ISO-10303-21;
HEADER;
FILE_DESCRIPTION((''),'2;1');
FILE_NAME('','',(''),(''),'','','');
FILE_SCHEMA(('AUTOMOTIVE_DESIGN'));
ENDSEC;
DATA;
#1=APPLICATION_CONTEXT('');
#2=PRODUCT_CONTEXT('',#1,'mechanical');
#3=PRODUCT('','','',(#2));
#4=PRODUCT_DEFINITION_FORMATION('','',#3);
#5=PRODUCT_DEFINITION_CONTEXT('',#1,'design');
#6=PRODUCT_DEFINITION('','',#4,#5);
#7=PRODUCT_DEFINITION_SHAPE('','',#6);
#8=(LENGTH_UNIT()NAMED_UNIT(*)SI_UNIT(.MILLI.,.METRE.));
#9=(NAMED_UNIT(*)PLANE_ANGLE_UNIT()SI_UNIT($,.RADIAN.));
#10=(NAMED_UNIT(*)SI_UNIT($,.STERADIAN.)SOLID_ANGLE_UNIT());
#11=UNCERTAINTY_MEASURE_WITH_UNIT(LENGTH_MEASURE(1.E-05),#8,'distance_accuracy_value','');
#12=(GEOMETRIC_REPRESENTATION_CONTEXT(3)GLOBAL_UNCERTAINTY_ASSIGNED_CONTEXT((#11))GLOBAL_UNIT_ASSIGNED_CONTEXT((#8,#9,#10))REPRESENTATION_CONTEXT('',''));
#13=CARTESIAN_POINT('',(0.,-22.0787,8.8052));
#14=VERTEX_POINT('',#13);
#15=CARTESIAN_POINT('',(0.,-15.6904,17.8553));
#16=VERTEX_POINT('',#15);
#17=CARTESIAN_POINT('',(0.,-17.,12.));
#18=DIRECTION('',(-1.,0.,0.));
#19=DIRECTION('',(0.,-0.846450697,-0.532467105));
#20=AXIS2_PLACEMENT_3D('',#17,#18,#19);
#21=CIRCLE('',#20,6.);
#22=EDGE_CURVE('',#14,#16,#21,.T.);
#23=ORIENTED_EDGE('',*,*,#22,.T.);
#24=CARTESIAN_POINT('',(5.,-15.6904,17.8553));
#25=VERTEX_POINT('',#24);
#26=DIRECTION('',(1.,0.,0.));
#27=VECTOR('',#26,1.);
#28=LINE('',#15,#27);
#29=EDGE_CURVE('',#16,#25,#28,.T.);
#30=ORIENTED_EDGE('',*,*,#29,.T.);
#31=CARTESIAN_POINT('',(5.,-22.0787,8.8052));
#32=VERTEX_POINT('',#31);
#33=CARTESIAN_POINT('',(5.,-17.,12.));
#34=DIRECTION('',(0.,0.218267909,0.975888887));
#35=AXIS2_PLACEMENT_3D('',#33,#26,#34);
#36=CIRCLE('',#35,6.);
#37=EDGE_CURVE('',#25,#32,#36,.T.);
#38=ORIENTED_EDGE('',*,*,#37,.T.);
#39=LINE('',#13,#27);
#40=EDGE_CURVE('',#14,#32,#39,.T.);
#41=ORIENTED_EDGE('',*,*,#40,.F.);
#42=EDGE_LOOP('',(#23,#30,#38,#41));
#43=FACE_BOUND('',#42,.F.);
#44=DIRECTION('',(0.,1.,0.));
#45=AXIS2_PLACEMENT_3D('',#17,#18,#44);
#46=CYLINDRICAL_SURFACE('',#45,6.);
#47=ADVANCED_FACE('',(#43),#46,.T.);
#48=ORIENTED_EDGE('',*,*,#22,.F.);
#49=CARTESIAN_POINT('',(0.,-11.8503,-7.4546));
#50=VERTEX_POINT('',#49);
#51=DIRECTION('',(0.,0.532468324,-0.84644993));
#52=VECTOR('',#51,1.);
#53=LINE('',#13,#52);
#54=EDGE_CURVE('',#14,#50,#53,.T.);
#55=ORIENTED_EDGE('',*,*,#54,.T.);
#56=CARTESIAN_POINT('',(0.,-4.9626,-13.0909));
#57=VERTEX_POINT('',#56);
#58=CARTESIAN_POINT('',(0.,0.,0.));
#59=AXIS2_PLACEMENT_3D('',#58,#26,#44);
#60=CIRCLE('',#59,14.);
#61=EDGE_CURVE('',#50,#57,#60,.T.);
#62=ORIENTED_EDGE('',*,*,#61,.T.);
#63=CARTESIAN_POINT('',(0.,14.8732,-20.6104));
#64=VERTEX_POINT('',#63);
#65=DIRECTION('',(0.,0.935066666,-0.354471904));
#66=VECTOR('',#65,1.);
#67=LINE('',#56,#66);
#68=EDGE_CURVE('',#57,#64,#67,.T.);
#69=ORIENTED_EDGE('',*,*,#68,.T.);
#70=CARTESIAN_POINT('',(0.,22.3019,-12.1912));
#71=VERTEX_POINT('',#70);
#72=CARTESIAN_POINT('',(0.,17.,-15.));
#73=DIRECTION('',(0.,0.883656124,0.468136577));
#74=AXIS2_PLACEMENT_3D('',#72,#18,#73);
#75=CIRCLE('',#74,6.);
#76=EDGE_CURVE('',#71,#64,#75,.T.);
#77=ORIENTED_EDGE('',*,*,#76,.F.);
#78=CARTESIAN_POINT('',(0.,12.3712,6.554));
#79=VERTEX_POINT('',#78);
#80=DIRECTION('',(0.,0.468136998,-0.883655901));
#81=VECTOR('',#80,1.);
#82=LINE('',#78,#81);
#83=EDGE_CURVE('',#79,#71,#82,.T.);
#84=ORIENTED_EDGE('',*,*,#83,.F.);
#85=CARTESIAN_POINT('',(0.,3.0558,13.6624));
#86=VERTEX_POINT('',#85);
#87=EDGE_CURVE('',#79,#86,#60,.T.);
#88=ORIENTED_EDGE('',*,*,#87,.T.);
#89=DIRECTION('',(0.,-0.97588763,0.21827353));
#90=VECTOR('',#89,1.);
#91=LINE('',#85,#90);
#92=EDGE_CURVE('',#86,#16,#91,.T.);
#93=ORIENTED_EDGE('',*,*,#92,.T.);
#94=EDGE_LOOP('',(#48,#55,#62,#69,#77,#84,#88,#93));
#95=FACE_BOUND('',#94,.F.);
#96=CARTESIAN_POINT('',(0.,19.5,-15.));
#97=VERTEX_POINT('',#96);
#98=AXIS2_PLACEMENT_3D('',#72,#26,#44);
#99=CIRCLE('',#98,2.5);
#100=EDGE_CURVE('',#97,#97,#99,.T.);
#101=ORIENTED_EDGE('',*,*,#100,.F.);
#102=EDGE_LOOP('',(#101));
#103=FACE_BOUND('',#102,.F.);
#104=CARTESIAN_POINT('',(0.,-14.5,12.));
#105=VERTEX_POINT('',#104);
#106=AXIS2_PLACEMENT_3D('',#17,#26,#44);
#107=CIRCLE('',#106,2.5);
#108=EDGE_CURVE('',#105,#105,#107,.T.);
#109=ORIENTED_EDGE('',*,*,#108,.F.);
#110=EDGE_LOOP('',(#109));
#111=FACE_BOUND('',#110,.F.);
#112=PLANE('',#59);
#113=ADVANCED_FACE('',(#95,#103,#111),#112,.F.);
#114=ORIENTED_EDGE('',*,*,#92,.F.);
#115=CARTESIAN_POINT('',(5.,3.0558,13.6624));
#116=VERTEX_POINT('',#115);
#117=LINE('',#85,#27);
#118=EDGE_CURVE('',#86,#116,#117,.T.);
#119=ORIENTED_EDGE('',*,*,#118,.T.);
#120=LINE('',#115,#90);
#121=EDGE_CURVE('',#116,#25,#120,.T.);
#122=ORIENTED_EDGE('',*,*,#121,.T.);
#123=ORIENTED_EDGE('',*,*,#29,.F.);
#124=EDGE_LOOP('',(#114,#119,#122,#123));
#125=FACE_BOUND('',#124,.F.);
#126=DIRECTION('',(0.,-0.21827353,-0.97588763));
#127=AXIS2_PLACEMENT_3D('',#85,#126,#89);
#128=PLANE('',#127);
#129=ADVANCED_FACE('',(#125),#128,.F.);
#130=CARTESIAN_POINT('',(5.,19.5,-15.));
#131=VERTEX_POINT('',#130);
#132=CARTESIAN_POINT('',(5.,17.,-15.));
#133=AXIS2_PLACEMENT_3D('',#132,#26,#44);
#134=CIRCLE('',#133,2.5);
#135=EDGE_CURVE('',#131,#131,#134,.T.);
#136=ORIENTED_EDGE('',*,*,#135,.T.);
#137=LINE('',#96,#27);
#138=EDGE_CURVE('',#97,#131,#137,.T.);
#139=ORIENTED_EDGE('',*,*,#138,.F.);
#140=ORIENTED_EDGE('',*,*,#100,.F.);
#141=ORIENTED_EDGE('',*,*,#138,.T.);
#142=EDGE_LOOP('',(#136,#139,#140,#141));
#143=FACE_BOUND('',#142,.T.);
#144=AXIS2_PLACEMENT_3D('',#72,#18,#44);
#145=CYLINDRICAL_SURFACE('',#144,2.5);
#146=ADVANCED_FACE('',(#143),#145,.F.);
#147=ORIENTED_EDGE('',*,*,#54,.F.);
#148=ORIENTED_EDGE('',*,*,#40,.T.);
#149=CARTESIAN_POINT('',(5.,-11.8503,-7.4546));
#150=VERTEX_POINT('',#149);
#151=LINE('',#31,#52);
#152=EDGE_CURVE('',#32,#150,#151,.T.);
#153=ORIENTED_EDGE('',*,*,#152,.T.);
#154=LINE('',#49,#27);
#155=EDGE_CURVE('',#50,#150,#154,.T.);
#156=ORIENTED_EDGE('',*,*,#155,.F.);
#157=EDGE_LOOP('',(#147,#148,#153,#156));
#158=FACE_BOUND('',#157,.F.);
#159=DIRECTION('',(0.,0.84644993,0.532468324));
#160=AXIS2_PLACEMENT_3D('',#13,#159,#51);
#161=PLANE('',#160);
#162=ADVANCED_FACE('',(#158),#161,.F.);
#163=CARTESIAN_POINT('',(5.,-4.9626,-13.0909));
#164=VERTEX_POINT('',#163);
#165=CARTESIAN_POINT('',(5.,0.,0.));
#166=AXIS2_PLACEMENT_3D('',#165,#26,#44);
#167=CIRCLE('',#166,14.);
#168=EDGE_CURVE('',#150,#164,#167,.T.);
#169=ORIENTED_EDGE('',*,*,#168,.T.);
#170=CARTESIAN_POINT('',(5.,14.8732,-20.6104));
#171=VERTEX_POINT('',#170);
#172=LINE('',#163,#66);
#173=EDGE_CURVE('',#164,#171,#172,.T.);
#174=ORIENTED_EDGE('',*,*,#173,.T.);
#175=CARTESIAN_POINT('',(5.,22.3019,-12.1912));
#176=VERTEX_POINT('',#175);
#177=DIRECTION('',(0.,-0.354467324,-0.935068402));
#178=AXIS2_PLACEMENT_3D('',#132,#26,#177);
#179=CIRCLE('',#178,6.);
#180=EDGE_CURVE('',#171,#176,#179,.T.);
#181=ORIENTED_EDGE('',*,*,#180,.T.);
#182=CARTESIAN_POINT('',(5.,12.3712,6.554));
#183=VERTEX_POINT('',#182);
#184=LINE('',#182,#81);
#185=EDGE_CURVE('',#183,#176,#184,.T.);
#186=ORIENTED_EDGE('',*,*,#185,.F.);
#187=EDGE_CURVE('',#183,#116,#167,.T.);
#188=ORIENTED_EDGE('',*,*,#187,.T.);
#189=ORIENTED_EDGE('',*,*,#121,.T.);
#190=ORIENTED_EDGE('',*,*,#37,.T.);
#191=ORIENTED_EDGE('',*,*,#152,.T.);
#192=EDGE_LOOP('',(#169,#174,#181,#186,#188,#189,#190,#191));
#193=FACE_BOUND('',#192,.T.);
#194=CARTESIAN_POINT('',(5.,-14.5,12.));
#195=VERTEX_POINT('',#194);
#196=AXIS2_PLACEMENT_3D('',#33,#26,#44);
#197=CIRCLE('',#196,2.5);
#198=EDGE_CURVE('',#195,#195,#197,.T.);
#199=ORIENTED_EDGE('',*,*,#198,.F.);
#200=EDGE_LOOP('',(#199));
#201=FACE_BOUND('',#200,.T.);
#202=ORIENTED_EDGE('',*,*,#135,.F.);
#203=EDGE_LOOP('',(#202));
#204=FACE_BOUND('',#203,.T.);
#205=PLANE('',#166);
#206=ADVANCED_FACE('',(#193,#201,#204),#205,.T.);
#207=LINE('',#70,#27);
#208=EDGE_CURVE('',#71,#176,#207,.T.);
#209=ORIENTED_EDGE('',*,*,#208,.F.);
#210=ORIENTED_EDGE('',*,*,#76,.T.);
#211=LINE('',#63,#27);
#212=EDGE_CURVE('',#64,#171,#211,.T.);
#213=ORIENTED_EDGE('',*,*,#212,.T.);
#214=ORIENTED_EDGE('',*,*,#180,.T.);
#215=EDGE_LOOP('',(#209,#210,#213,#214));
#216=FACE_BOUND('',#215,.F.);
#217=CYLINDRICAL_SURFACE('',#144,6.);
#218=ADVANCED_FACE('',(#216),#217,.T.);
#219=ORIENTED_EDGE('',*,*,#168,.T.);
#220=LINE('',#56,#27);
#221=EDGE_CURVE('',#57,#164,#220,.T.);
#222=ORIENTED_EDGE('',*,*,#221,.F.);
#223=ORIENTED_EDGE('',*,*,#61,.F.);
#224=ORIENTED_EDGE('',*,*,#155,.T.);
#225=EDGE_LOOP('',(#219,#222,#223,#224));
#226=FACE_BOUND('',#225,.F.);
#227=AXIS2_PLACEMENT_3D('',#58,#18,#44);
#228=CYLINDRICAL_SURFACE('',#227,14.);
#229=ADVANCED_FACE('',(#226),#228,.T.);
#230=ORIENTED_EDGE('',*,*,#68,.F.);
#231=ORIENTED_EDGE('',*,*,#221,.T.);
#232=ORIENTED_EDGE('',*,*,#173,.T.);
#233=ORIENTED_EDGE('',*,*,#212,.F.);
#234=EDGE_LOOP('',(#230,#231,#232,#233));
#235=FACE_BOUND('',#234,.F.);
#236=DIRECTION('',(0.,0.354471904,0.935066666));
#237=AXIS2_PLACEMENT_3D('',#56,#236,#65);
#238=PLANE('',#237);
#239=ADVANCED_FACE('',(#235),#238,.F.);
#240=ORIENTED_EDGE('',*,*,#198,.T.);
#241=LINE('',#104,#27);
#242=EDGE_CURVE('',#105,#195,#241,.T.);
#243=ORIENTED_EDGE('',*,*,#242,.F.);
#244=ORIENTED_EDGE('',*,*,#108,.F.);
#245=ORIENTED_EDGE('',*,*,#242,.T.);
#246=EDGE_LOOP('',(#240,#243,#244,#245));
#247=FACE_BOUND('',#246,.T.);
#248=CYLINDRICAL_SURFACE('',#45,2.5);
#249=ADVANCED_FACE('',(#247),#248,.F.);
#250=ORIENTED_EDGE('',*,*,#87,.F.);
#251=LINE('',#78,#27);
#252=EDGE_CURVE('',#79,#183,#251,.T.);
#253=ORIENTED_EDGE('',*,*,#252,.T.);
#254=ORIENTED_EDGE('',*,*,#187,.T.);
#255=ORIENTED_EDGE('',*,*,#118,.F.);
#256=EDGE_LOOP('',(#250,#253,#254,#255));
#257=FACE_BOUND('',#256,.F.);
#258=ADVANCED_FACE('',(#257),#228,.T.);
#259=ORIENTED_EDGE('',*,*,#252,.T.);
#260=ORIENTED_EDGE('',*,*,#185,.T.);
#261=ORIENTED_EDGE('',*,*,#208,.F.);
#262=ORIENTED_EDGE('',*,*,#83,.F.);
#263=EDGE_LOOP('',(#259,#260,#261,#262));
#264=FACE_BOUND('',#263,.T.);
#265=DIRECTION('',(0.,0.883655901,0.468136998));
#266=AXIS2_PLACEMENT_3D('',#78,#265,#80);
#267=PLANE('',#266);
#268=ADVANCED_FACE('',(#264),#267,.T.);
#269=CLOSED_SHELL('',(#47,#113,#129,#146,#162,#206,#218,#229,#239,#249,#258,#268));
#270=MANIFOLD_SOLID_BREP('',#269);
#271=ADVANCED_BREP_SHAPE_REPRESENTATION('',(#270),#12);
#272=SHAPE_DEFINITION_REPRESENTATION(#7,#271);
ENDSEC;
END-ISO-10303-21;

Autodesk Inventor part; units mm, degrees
ref_plane "YZ Plane" through (0, 0, 0) normal (1, 0, 0) x (0, 1, 0)
ref_plane "XZ Plane" through (0, 0, 0) normal (0, 1, 0) x (-1, 0, 0)
ref_plane "XY Plane" through (0, 0, 0) normal (0, 0, 1) x (1, 0, 0)
sketch "Sketch3" plane through (0, 0, 0) normal (1, 0, 0) x (0, 1, 0)
  circle A0 centre (0, 0) radius 14
  line L0 (-23, -102.8316) -> (23, -102.8316)
  line L1 (23, -102.8316) -> (23, 102.8316)
  line L2 (23, 102.8316) -> (-23, 102.8316)
  line L3 (-23, 102.8316) -> (-23, -102.8316)
  line L4 (-23, -102.8316) -> (23, 102.8316) construction
  line L5 (23, -102.8316) -> (-23, 102.8316) construction
  circle A1 centre (17, -15) radius 2.5
  circle A2 centre (-17, 12) radius 2.5
  circle A3 centre (17, -15) radius 6
  circle A4 centre (-17, 12) radius 6
  line L6 (-22.0787, 8.8052) -> (-11.8503, -7.4546)
  line L7 (-4.9626, -13.0909) -> (14.8732, -20.6104)
  line L8 (12.3712, 6.554) -> (22.3019, -12.1912)
  line L9 (3.0558, 13.6624) -> (-15.6904, 17.8553)
  dimension "d11" = 28
  dimension "d12" = 46
  dimension "d13" = 5
  dimension "d14" = 6
  dimension "d15" = 6
  dimension "d16" = 12
  dimension "d17" = 15
extrude "Extrusion3" add sketch "Sketch3" along normal blind 5 contours A0 | A0 L8 A3 L7 | A0 L6 A4 L9 | A3 | A4
properties part number "frame_center"
